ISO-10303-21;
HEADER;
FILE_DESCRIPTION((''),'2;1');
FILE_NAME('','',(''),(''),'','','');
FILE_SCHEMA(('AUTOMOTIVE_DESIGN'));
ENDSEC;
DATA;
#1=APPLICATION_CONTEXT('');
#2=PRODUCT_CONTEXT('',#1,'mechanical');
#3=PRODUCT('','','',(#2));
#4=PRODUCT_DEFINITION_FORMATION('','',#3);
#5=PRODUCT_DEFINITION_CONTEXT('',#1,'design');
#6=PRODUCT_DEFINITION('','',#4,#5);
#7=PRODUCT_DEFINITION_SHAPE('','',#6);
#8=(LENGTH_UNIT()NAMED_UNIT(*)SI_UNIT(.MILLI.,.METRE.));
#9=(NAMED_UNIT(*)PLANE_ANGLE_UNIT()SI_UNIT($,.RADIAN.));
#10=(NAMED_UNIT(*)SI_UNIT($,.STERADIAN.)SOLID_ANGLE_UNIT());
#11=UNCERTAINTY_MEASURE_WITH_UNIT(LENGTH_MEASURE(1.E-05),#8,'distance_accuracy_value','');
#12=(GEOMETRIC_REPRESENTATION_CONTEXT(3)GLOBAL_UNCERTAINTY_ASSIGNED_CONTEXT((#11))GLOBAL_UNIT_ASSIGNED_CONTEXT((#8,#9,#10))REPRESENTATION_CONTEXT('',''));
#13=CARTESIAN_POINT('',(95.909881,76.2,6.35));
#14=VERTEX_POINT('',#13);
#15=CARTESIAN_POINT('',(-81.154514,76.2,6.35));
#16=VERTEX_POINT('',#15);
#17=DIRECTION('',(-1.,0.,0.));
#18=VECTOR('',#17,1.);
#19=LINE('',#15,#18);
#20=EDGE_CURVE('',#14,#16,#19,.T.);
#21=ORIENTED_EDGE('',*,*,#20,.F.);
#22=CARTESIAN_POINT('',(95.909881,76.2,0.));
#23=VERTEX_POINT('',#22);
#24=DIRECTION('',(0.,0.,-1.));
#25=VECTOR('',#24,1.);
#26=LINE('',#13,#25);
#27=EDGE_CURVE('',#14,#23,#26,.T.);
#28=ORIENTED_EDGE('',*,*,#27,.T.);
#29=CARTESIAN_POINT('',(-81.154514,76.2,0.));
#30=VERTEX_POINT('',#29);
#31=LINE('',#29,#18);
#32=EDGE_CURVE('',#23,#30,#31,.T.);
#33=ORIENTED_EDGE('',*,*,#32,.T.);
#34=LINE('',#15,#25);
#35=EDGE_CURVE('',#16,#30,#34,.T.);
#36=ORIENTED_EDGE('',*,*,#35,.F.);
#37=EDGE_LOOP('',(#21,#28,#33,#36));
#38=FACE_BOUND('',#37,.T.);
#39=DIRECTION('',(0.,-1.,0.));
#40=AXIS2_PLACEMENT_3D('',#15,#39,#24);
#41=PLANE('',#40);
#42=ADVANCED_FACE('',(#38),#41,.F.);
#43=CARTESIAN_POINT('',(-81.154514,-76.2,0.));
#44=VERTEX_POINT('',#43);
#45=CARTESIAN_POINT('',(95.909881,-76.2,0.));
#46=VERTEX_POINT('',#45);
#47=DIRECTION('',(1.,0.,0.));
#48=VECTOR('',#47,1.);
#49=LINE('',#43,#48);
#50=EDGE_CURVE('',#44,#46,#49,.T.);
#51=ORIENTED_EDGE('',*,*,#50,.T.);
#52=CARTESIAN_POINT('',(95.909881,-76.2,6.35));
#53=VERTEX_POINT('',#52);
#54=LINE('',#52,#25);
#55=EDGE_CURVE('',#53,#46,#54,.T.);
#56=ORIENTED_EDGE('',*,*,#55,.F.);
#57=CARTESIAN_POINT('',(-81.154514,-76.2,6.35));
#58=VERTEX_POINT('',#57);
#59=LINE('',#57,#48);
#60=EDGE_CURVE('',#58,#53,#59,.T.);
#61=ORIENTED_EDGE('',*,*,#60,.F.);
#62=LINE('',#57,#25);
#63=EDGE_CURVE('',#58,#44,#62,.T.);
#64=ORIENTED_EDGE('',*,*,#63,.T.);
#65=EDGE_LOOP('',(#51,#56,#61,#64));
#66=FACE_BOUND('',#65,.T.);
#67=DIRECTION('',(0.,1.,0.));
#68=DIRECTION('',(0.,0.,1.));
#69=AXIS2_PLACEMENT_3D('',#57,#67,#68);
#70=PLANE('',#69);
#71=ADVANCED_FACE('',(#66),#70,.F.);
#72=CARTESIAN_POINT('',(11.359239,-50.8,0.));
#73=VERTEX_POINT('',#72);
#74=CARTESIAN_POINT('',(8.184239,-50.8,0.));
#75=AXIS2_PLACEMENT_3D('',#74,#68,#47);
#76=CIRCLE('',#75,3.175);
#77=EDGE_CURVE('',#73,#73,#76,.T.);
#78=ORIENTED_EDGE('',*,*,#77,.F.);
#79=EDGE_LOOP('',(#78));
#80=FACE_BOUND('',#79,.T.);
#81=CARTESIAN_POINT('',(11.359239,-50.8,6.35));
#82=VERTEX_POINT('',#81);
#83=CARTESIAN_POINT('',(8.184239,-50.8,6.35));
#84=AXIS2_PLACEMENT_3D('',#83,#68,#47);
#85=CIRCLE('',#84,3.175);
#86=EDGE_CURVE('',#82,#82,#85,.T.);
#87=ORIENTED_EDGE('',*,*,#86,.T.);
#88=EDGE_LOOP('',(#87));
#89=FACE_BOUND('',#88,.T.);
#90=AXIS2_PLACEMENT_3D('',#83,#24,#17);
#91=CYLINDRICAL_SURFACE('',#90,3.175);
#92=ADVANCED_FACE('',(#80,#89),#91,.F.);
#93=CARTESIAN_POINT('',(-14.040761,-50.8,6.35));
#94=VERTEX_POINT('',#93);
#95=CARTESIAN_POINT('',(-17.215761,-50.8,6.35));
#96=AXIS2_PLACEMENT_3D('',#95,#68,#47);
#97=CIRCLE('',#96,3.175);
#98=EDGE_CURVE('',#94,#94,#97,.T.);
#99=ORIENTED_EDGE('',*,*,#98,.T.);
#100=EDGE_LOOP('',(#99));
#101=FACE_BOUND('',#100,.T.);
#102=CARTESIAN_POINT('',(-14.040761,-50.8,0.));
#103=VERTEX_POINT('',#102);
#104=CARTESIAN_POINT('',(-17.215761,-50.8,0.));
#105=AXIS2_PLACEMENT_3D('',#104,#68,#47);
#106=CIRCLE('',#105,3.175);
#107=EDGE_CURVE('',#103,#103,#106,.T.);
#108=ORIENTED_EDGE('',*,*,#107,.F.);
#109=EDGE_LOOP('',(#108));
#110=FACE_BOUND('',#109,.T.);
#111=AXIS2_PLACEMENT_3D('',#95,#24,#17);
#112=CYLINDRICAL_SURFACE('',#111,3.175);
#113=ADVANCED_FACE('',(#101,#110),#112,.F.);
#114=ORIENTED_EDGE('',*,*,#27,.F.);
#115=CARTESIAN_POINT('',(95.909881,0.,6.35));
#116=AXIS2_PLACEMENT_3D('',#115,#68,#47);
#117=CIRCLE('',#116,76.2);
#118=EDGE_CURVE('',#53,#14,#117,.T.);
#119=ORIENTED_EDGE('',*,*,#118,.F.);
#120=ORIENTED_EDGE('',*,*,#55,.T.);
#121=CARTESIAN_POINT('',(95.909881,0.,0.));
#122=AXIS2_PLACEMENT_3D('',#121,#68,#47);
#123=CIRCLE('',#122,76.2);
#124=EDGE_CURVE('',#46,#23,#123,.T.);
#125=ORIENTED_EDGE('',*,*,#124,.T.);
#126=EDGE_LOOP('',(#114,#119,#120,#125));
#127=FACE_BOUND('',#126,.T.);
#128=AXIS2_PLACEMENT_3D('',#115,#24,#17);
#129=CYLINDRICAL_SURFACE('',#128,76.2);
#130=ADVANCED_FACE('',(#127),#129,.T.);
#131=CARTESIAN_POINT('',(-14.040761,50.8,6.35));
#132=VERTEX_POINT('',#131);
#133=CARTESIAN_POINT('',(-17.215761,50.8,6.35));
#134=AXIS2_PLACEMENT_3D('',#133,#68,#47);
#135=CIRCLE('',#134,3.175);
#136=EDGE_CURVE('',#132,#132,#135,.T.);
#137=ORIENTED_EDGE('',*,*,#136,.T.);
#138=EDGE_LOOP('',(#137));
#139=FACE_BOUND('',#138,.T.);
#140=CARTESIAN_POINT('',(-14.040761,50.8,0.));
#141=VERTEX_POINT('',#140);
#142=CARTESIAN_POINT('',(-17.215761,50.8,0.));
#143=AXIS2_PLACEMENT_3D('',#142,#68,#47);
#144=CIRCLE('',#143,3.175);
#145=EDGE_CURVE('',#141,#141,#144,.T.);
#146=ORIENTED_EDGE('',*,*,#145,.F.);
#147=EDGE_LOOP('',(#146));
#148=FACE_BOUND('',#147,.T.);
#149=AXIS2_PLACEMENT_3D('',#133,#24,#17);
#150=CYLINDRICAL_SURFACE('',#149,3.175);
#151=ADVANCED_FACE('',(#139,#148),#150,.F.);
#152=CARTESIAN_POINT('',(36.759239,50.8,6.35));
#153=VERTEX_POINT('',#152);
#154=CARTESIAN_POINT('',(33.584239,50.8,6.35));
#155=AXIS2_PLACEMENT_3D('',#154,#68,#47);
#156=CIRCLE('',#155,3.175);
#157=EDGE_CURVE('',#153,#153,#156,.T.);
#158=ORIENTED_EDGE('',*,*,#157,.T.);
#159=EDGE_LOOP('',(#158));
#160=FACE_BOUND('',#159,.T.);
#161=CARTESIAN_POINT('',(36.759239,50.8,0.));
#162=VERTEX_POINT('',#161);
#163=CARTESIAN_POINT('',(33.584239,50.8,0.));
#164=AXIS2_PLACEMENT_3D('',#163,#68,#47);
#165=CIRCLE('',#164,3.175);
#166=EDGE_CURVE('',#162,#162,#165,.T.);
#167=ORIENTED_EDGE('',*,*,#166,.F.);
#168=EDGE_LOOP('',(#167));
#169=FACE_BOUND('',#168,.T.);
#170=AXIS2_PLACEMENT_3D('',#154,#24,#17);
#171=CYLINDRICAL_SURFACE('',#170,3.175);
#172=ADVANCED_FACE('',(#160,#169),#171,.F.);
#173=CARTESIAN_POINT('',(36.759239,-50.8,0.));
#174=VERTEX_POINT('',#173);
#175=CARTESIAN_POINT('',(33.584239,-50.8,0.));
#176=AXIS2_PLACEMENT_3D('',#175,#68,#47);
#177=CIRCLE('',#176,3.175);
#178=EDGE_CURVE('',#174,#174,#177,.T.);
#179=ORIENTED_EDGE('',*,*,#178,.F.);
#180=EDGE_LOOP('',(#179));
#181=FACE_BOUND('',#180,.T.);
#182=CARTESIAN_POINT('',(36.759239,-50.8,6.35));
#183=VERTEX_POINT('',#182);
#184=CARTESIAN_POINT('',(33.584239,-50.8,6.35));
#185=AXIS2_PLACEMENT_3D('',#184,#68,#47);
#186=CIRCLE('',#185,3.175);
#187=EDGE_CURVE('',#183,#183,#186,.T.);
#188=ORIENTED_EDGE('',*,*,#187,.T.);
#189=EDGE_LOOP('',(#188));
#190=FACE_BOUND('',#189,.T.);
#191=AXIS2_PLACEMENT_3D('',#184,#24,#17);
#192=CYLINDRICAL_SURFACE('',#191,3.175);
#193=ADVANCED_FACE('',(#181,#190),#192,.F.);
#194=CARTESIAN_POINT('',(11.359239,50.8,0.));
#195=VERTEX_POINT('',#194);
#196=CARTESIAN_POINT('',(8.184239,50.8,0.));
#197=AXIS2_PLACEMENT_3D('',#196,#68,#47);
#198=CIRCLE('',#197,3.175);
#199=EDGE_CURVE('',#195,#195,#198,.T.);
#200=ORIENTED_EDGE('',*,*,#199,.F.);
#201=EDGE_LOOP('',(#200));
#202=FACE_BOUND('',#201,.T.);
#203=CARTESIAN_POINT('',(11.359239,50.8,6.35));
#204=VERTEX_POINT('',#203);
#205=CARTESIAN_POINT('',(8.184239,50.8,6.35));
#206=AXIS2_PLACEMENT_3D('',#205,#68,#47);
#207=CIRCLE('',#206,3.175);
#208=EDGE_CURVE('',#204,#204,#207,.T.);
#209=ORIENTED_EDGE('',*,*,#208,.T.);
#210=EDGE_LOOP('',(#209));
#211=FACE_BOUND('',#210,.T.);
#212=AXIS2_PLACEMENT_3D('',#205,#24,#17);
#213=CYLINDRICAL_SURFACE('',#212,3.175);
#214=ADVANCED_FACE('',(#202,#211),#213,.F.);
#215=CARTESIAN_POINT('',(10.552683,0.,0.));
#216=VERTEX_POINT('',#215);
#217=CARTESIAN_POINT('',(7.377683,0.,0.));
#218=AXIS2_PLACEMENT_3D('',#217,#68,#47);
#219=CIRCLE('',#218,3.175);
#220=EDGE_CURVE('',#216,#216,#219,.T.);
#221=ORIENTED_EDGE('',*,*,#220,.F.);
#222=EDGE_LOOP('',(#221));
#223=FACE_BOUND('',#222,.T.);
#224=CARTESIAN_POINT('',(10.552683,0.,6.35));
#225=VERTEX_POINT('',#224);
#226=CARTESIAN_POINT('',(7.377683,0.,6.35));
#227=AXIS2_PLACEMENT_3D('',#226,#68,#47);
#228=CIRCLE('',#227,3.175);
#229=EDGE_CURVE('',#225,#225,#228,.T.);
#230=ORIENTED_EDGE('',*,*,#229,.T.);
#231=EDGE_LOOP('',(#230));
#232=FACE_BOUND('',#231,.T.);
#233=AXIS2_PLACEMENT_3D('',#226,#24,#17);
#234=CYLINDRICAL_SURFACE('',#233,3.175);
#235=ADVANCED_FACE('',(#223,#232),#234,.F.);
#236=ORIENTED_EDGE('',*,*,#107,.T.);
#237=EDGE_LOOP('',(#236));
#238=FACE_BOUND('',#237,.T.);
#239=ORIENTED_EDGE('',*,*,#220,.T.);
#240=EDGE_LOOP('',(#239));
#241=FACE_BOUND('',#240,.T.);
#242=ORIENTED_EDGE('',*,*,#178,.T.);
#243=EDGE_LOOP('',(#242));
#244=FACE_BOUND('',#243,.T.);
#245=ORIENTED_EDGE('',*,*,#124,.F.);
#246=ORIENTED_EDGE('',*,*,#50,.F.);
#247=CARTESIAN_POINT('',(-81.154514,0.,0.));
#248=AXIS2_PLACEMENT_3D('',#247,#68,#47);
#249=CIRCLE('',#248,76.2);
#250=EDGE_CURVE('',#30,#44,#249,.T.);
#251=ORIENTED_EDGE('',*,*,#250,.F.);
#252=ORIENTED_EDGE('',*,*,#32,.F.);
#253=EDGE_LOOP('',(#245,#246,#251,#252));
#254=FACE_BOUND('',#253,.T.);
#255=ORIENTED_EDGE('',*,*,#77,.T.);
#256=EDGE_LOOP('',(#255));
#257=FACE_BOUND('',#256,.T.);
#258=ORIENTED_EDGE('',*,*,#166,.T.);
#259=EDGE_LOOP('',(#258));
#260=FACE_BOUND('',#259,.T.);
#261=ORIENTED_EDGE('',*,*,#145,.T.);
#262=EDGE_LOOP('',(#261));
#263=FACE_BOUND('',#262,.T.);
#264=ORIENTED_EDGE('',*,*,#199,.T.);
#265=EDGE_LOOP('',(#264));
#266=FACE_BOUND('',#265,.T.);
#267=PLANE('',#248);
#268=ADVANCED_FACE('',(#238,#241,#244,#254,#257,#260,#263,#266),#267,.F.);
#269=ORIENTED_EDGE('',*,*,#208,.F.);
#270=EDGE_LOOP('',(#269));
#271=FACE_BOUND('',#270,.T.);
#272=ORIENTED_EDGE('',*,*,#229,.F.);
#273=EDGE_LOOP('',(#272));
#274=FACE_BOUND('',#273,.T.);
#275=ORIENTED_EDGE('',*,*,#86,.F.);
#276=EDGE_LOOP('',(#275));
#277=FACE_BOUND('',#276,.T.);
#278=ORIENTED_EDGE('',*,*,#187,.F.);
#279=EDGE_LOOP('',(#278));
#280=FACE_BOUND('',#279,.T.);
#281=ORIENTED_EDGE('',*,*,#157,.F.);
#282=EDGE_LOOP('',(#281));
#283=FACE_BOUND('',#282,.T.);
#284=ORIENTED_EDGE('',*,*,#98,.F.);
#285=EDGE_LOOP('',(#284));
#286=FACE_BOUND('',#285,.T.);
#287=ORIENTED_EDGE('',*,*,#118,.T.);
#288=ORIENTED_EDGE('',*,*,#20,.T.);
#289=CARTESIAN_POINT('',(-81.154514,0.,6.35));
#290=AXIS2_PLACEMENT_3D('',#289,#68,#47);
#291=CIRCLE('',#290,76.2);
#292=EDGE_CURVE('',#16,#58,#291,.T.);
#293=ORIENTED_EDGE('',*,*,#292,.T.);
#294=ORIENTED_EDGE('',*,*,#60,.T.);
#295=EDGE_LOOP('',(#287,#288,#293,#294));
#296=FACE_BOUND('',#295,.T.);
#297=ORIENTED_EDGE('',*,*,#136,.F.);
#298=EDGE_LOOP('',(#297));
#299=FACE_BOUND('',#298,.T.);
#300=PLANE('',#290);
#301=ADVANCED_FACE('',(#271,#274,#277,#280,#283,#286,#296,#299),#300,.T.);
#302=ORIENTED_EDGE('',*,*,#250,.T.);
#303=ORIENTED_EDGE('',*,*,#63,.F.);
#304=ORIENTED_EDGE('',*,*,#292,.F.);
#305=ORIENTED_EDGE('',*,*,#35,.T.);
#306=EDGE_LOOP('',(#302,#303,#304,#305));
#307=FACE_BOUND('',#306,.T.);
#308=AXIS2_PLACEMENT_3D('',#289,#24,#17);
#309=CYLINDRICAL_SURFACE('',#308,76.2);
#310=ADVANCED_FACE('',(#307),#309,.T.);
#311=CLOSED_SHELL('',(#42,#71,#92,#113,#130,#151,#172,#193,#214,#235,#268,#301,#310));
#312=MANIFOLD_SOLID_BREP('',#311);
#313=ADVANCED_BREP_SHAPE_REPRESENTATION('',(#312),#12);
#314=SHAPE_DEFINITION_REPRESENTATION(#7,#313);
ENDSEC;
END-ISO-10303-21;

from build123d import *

# Parameters (mm, degrees)
SKETCH1_R           = 3.175
BOSS_EXTRUDE1_DEPTH = 6.35


with BuildPart() as part:
    # Sketch1 → Boss-Extrude1 (new body)
    with BuildSketch(Plane.XY):
        with BuildLine():
            Line((-81.15451448, 76.2), (95.90988075, 76.2))
            ThreePointArc((95.90988075, 76.2), (172.10988075, 0), (95.90988075, -76.2))
            Line((95.90988075, -76.2), (-81.15451448, -76.2))
            ThreePointArc((-81.15451448, -76.2), (-157.35451448, 0), (-81.15451448, 76.2))
        make_face()
        with Locations((8.184238886, 50.8)):
            Circle(SKETCH1_R, mode=Mode.SUBTRACT)
        with Locations((8.184238886, -50.8)):
            Circle(SKETCH1_R, mode=Mode.SUBTRACT)
        with Locations((-17.215761114, 50.8)):
            Circle(SKETCH1_R, mode=Mode.SUBTRACT)
        with Locations((33.584238886, 50.8)):
            Circle(SKETCH1_R, mode=Mode.SUBTRACT)
        with Locations((33.584238886, -50.8)):
            Circle(SKETCH1_R, mode=Mode.SUBTRACT)
        with Locations((-17.215761114, -50.8)):
            Circle(SKETCH1_R, mode=Mode.SUBTRACT)
        with Locations((7.377683135, 0)):
            Circle(SKETCH1_R, mode=Mode.SUBTRACT)
    extrude(amount=BOSS_EXTRUDE1_DEPTH)


solid = part.part
